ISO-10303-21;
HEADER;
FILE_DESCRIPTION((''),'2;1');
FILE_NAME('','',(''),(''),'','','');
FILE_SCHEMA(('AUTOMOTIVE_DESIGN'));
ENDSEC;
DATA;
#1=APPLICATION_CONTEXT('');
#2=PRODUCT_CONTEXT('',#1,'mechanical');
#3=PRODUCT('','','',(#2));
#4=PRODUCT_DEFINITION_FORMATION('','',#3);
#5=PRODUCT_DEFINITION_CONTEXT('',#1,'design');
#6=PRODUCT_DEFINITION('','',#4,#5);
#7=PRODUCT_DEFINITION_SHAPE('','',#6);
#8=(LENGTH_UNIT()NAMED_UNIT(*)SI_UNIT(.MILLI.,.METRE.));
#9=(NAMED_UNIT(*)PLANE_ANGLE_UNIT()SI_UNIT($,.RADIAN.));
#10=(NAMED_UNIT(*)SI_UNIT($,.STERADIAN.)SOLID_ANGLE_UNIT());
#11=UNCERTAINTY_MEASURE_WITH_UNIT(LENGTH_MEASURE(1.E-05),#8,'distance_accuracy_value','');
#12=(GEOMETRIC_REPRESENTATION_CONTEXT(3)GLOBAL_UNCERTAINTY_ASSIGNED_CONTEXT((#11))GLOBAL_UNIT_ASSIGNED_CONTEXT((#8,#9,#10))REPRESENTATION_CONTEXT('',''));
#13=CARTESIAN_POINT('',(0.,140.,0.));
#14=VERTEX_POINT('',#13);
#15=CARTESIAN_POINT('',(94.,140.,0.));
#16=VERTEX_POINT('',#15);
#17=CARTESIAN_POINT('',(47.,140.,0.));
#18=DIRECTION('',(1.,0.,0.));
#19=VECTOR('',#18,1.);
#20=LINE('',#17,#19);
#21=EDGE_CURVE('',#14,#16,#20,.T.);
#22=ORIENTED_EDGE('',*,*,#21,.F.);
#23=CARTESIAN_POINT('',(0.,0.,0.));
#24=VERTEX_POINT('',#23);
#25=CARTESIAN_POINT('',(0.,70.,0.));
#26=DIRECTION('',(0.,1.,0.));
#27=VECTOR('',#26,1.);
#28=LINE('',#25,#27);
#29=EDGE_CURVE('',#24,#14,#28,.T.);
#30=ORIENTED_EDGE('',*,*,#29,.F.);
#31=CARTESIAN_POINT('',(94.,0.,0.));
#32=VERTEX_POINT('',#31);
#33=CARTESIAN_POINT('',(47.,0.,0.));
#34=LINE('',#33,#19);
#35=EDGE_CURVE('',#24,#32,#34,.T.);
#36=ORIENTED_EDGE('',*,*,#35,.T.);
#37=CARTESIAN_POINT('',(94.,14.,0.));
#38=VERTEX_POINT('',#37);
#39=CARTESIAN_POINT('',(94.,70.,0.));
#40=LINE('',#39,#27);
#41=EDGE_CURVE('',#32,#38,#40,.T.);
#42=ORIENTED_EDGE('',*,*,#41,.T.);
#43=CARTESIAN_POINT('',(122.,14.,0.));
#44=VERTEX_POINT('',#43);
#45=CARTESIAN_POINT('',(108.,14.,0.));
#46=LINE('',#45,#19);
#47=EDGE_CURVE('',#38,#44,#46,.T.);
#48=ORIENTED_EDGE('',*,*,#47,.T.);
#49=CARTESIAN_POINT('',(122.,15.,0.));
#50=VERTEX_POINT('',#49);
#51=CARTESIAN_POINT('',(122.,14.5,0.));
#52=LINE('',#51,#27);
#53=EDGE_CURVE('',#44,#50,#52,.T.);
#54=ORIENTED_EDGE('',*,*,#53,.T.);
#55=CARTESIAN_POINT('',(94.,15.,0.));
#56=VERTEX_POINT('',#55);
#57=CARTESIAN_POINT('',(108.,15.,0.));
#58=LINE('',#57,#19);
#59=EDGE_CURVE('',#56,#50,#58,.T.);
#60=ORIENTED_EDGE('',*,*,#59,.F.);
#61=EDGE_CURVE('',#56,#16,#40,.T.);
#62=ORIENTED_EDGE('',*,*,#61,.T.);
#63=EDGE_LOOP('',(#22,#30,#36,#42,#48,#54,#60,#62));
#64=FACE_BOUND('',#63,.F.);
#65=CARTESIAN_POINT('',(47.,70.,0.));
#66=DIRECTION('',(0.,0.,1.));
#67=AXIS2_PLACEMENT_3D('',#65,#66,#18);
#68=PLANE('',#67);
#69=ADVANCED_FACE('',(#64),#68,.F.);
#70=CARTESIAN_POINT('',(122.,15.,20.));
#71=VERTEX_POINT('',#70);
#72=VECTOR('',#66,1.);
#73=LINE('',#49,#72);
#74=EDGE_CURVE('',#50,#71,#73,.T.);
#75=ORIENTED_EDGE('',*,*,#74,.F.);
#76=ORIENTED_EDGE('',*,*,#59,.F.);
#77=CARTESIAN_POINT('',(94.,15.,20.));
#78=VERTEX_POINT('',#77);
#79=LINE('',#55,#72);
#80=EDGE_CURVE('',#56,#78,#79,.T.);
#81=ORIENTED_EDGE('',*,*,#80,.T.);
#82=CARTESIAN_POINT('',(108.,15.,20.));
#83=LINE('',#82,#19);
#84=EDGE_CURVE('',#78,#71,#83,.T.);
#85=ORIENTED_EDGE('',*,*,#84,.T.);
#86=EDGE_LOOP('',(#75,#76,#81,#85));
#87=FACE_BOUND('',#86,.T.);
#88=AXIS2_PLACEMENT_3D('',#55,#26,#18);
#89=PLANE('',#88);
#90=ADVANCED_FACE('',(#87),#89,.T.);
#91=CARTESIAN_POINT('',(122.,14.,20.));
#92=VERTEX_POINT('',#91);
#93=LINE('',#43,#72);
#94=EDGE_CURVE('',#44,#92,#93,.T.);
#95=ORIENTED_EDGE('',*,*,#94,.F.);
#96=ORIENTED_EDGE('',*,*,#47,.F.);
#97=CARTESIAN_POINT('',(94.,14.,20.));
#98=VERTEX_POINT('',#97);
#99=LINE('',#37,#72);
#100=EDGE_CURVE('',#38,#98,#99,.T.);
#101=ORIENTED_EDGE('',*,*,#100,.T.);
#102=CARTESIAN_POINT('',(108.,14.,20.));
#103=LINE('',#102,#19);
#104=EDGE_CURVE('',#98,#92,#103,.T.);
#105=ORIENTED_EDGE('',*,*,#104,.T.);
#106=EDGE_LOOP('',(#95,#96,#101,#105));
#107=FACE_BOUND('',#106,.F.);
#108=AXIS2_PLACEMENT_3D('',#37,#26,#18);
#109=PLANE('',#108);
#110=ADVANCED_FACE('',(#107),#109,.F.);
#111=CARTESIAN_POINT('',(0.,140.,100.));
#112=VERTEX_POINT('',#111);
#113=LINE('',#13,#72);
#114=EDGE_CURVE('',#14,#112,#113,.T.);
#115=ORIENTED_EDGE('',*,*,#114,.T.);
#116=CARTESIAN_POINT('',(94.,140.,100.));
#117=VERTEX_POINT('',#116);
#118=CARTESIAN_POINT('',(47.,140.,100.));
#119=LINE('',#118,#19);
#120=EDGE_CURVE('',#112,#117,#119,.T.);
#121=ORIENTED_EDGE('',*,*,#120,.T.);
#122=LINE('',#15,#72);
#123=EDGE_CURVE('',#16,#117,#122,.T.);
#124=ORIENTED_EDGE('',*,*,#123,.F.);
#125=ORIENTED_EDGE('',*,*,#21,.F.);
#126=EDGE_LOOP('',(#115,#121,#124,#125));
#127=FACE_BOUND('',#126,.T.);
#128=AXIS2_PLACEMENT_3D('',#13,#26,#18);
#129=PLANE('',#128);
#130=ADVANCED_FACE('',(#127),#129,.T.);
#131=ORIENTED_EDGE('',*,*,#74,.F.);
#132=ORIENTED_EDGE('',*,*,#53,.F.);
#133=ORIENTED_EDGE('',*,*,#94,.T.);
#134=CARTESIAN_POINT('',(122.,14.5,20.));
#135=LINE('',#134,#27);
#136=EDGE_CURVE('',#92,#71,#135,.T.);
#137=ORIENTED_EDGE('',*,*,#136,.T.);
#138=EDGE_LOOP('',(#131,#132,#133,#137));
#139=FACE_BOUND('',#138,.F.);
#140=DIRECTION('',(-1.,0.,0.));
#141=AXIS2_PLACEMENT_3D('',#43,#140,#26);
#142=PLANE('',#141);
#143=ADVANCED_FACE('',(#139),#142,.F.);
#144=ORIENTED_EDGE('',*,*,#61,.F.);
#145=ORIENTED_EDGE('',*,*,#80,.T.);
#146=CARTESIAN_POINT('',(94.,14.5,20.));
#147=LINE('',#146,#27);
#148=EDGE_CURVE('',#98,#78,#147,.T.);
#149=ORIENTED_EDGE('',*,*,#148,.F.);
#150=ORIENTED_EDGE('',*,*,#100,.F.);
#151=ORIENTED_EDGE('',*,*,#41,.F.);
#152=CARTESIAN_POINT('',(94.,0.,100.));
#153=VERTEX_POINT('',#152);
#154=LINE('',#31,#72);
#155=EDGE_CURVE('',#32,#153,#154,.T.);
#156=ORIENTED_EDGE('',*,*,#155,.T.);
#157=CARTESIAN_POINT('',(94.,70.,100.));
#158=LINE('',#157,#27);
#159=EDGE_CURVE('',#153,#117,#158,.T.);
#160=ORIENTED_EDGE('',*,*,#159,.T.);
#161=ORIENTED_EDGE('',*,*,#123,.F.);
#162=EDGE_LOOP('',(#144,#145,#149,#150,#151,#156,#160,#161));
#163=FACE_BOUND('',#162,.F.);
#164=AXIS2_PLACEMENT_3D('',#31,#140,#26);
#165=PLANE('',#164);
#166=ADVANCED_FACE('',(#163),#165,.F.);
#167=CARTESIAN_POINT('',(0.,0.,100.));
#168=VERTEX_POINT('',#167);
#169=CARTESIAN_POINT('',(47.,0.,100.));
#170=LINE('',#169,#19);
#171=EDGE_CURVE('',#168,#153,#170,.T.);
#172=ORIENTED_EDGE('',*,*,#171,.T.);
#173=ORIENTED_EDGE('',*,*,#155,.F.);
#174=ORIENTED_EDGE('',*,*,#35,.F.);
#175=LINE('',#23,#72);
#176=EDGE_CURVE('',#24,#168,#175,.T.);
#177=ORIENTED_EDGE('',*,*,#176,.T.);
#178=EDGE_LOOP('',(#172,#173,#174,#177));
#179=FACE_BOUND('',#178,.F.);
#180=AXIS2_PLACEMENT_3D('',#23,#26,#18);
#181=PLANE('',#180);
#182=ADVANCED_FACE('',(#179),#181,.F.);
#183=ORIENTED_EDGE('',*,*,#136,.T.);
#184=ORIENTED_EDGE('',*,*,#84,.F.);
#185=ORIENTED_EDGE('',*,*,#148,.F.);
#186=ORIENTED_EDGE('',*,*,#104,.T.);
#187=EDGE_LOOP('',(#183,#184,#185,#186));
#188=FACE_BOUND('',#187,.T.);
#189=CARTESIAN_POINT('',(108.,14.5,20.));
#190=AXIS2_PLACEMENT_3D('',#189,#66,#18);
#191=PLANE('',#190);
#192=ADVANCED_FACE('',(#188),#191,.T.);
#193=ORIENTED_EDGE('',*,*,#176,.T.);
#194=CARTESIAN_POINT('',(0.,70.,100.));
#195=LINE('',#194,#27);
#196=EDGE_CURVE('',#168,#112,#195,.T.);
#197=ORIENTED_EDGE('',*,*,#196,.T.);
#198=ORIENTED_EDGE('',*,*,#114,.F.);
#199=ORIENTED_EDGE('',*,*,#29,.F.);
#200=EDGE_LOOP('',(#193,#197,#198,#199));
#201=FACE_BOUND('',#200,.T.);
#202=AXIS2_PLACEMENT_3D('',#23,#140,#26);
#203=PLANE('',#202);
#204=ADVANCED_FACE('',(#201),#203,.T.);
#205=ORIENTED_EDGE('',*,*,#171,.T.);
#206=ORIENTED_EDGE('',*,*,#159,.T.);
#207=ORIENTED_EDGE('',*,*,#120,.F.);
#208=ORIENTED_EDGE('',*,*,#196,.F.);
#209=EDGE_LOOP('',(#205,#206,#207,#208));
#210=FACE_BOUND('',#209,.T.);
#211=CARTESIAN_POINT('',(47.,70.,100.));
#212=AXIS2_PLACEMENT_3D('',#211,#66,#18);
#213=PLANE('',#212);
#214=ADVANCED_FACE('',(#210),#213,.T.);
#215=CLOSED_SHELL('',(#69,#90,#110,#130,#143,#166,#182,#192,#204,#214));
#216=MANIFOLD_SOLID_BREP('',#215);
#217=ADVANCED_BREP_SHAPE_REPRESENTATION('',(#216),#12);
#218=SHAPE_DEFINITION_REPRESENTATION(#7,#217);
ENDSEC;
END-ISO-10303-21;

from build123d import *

# Parameters (mm, degrees)
F1_W     = 94
F1_H     = 140
F2_DEPTH = 100
F3_W     = 28
F3_H     = 1
F4_DEPTH = 20


with BuildPart() as f2:
    # F1 (on Top) → F2 (new body)
    with BuildSketch(Plane.XY):
        with Locations((47, 70)):
            Rectangle(F1_W, F1_H)
    extrude(amount=F2_DEPTH)

    # F3 (on Top) → F4 (join)
    with BuildSketch(Plane.XY):
        with Locations((108, 14.5)):
            Rectangle(F3_W, F3_H)
    extrude(amount=F4_DEPTH)


solid = f2.part
